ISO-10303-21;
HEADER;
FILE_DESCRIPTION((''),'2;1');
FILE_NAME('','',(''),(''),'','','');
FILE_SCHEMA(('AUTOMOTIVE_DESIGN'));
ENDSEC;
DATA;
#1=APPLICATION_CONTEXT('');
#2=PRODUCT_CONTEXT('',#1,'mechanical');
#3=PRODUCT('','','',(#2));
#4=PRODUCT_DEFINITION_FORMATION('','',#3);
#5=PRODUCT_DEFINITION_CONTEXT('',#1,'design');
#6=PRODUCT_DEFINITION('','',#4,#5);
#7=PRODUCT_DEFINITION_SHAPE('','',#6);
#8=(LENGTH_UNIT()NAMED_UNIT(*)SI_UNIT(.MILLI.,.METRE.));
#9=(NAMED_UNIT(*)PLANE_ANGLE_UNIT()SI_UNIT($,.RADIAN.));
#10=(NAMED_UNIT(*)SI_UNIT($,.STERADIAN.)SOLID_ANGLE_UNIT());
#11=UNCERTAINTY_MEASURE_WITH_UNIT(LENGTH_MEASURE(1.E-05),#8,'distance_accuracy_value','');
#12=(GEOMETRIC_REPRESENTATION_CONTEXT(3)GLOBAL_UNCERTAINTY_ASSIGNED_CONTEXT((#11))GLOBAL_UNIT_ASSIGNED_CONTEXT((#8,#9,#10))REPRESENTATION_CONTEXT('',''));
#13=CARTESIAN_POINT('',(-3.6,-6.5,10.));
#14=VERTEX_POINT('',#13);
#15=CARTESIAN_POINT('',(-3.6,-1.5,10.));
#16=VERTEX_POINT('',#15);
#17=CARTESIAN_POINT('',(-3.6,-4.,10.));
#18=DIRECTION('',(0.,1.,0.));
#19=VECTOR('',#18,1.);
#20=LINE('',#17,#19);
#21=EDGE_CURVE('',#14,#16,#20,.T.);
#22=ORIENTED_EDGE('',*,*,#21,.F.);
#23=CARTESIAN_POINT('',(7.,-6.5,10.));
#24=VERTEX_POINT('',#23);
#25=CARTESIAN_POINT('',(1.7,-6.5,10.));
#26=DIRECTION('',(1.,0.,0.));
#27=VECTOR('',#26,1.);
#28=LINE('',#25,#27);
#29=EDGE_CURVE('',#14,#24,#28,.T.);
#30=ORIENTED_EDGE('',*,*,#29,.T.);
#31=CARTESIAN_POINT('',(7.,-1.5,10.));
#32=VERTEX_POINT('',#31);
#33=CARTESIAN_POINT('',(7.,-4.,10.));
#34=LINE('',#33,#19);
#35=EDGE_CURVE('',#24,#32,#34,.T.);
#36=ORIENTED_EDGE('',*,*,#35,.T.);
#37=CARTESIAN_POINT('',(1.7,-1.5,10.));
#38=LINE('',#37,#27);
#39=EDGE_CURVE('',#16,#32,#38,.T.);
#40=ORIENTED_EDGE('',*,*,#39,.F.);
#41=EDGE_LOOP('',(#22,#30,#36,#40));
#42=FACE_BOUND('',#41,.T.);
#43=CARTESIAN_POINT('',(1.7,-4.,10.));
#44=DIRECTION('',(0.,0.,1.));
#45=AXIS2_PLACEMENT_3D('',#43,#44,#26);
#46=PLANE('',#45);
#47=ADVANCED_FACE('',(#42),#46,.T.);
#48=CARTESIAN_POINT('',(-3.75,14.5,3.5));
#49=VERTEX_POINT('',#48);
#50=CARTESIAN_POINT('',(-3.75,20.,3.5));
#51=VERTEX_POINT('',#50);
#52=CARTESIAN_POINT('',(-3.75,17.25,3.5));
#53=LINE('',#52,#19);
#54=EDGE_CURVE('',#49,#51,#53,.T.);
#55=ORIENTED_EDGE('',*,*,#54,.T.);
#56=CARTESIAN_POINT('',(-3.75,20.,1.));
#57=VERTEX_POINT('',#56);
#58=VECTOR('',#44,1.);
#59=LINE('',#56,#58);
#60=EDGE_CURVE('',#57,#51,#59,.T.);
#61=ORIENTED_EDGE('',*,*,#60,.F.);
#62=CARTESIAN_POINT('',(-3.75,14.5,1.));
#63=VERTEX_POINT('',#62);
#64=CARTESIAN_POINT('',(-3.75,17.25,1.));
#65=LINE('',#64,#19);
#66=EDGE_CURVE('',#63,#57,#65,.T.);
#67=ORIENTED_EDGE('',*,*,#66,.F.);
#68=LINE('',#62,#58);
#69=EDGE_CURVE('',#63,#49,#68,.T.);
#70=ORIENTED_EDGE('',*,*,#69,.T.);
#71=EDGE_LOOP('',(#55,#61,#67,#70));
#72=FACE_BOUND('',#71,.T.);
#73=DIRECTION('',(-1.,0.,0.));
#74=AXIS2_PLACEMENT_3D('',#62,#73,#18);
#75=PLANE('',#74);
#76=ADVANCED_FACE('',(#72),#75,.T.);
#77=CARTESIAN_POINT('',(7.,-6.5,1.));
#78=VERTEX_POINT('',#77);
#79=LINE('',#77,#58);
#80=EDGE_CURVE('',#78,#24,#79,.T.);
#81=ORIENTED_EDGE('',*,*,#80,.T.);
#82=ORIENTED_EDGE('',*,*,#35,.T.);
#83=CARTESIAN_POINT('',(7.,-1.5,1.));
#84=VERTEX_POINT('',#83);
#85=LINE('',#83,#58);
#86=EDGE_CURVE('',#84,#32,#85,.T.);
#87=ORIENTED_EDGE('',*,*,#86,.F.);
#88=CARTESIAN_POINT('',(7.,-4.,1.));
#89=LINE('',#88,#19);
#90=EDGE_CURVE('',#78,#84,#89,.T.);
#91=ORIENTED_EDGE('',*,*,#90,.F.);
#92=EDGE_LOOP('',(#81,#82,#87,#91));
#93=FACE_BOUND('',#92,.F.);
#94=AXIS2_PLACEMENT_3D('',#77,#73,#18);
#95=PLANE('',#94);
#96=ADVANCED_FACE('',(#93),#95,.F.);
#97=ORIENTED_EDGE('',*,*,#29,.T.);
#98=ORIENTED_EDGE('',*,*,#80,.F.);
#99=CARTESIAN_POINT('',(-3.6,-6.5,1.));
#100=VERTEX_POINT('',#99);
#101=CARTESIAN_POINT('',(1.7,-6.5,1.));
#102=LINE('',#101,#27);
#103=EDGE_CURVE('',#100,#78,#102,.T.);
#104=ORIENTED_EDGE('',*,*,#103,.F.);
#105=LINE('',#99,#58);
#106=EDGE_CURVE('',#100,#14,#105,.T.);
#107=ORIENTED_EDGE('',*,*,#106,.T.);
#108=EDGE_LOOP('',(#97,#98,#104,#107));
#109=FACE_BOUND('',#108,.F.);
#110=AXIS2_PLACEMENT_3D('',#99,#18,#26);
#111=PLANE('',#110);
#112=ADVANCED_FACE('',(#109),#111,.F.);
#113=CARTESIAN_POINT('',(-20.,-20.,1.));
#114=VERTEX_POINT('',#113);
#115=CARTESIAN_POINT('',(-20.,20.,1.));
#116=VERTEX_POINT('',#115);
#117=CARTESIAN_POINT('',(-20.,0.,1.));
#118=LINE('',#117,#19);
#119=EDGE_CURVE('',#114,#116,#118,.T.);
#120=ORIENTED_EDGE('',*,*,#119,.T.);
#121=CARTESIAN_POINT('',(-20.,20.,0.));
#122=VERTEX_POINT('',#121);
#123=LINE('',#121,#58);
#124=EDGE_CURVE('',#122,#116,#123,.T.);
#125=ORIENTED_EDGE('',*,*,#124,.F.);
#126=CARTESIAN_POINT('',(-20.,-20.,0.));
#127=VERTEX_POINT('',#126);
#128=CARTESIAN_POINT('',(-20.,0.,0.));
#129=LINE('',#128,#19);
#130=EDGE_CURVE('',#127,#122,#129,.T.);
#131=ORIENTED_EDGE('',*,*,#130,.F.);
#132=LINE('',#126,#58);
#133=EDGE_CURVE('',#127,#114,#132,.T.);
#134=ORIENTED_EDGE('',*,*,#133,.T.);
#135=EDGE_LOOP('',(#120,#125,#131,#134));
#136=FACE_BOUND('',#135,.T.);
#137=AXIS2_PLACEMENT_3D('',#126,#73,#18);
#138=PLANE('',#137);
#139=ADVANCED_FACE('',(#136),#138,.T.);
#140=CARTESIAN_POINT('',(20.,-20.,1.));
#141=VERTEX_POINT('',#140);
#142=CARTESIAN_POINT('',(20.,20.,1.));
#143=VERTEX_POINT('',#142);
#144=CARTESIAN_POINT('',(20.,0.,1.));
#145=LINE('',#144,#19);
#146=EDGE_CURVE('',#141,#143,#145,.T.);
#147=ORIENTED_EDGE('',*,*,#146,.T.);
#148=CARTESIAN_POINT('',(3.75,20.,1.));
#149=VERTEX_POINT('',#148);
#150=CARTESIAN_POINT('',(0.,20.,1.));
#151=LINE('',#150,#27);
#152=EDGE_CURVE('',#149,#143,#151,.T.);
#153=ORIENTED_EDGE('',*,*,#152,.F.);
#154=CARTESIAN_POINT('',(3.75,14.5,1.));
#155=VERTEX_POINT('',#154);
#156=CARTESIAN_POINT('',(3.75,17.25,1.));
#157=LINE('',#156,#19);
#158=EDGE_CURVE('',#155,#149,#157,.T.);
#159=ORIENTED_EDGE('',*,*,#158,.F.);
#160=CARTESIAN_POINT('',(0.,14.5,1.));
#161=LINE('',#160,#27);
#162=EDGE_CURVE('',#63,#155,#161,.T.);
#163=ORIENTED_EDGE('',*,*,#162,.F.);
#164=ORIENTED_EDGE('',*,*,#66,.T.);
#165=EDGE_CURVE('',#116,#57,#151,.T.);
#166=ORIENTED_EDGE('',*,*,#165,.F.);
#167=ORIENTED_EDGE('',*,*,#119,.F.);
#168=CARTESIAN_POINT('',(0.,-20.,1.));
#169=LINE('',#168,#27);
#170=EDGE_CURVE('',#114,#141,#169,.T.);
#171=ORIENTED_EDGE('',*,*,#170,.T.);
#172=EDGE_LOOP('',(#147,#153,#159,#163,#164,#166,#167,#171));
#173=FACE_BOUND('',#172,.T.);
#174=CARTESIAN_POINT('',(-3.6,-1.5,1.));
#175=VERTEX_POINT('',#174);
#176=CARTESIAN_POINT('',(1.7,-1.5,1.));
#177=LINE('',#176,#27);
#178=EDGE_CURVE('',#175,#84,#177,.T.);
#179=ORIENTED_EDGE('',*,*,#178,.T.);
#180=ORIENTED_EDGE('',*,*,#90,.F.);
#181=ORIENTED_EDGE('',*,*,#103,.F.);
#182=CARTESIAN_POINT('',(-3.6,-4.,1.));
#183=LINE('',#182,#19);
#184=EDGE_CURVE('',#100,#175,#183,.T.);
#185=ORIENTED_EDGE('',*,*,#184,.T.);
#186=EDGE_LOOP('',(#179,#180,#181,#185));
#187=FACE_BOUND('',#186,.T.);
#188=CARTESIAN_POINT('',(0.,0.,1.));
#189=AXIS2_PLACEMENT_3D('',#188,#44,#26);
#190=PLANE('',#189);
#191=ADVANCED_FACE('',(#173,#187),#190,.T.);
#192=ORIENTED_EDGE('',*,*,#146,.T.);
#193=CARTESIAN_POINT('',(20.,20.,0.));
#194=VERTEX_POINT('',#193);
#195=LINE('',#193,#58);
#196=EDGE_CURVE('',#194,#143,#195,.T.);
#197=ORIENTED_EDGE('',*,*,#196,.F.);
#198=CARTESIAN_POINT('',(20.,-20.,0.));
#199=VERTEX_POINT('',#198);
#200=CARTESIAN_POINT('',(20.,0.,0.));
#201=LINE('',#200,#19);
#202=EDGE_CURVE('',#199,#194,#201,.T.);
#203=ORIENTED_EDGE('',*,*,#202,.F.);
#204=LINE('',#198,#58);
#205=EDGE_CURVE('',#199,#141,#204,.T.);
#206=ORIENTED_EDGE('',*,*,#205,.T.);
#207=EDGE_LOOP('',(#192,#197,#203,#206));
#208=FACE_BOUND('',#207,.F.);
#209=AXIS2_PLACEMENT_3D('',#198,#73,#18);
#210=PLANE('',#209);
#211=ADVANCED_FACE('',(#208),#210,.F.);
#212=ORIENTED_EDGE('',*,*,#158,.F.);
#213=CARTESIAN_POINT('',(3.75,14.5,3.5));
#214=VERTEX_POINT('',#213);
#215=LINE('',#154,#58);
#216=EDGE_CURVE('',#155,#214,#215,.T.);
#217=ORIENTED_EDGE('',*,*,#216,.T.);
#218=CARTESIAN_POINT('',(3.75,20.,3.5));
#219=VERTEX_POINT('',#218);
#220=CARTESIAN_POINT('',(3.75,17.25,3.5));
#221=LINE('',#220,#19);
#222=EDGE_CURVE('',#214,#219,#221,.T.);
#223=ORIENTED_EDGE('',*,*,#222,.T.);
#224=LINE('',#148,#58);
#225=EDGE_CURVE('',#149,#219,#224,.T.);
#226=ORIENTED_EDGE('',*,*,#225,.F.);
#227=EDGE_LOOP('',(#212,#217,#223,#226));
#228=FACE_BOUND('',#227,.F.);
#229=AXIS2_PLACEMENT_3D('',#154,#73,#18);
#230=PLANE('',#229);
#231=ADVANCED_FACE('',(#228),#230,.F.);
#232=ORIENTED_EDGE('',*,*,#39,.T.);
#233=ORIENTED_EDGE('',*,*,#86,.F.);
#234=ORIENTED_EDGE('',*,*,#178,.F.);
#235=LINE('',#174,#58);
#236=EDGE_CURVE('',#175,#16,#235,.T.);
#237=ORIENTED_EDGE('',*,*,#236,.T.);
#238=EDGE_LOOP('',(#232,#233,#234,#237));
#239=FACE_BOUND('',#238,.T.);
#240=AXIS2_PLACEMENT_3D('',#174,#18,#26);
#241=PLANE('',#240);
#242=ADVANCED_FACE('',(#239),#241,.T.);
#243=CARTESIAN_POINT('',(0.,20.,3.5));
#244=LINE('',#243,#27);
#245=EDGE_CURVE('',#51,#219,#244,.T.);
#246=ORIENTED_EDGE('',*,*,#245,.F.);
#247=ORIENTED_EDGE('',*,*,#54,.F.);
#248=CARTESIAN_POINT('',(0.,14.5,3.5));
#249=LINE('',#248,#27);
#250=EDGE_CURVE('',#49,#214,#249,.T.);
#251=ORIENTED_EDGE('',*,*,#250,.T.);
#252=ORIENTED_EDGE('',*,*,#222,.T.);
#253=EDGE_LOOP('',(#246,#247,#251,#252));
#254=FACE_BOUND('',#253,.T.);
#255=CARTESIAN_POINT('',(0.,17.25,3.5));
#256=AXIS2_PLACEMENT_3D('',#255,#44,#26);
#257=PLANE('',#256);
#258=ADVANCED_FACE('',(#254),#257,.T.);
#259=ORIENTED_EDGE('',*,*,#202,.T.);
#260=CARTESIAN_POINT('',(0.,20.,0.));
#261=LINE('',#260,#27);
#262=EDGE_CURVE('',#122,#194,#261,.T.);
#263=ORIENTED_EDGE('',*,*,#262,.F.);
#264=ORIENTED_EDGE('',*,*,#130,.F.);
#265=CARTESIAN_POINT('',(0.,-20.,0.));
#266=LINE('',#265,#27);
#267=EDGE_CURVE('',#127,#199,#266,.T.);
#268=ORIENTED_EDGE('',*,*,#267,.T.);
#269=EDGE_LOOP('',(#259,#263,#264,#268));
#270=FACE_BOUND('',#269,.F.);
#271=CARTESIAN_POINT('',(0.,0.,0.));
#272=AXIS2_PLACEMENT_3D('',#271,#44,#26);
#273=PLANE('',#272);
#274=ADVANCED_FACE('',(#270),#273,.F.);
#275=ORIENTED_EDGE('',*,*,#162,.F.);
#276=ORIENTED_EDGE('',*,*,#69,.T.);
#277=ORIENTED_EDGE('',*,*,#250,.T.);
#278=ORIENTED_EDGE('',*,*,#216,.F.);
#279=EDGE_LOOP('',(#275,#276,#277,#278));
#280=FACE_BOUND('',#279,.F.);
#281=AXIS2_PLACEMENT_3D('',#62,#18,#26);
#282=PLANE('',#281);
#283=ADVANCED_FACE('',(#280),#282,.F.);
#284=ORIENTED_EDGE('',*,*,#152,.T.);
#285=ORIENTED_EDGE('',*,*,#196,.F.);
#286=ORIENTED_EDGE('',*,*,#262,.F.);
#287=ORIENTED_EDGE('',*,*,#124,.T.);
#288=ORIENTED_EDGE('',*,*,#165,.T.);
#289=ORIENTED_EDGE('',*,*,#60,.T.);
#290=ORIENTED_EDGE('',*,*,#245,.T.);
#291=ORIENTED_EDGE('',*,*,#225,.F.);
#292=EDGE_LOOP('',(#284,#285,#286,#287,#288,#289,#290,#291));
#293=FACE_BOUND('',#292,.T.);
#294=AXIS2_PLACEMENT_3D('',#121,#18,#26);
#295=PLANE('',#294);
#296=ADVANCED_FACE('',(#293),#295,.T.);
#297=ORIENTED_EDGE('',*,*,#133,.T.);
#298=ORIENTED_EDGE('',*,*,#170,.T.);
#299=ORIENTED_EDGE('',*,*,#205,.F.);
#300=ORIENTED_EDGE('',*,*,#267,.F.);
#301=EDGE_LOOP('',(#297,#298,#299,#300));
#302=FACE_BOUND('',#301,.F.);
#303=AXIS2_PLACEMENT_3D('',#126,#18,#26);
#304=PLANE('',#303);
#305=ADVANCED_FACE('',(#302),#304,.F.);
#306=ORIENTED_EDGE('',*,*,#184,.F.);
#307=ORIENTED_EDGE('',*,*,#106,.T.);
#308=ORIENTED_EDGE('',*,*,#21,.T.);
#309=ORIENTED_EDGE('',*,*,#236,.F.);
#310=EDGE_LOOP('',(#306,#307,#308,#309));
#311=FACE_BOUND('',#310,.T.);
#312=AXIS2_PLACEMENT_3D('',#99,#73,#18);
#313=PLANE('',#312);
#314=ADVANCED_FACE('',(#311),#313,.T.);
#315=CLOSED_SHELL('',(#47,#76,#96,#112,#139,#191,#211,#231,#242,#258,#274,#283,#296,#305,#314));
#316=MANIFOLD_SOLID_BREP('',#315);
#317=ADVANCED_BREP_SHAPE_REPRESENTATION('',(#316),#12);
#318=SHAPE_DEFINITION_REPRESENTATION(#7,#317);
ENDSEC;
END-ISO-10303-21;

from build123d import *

# Parameters (mm, degrees)
F0_W     = 40
F0_H     = 40
F1_DEPTH = 1
F2_W     = 10.6
F2_H     = 5
F3_DEPTH = 9
F2_W_2   = 7.5
F2_H_2   = 5.5
F4_DEPTH = 2.5


with BuildPart() as f1:
    # F0 (on Top) → F1 (new body)
    with BuildSketch(Plane.XY):
        Rectangle(F0_W, F0_H)
    extrude(amount=F1_DEPTH)

    # F2 (on face) → F3 (join)
    with BuildSketch(Plane.XY.offset(1)):
        with Locations((1.7, -4)):
            Rectangle(F2_W, F2_H)
    extrude(amount=F3_DEPTH)

    # F2 (on face) → F4 (join)
    with BuildSketch(Plane.XY.offset(1)):
        with Locations((0, 17.25)):
            Rectangle(F2_W_2, F2_H_2)
    extrude(amount=F4_DEPTH)


solid = f1.part
